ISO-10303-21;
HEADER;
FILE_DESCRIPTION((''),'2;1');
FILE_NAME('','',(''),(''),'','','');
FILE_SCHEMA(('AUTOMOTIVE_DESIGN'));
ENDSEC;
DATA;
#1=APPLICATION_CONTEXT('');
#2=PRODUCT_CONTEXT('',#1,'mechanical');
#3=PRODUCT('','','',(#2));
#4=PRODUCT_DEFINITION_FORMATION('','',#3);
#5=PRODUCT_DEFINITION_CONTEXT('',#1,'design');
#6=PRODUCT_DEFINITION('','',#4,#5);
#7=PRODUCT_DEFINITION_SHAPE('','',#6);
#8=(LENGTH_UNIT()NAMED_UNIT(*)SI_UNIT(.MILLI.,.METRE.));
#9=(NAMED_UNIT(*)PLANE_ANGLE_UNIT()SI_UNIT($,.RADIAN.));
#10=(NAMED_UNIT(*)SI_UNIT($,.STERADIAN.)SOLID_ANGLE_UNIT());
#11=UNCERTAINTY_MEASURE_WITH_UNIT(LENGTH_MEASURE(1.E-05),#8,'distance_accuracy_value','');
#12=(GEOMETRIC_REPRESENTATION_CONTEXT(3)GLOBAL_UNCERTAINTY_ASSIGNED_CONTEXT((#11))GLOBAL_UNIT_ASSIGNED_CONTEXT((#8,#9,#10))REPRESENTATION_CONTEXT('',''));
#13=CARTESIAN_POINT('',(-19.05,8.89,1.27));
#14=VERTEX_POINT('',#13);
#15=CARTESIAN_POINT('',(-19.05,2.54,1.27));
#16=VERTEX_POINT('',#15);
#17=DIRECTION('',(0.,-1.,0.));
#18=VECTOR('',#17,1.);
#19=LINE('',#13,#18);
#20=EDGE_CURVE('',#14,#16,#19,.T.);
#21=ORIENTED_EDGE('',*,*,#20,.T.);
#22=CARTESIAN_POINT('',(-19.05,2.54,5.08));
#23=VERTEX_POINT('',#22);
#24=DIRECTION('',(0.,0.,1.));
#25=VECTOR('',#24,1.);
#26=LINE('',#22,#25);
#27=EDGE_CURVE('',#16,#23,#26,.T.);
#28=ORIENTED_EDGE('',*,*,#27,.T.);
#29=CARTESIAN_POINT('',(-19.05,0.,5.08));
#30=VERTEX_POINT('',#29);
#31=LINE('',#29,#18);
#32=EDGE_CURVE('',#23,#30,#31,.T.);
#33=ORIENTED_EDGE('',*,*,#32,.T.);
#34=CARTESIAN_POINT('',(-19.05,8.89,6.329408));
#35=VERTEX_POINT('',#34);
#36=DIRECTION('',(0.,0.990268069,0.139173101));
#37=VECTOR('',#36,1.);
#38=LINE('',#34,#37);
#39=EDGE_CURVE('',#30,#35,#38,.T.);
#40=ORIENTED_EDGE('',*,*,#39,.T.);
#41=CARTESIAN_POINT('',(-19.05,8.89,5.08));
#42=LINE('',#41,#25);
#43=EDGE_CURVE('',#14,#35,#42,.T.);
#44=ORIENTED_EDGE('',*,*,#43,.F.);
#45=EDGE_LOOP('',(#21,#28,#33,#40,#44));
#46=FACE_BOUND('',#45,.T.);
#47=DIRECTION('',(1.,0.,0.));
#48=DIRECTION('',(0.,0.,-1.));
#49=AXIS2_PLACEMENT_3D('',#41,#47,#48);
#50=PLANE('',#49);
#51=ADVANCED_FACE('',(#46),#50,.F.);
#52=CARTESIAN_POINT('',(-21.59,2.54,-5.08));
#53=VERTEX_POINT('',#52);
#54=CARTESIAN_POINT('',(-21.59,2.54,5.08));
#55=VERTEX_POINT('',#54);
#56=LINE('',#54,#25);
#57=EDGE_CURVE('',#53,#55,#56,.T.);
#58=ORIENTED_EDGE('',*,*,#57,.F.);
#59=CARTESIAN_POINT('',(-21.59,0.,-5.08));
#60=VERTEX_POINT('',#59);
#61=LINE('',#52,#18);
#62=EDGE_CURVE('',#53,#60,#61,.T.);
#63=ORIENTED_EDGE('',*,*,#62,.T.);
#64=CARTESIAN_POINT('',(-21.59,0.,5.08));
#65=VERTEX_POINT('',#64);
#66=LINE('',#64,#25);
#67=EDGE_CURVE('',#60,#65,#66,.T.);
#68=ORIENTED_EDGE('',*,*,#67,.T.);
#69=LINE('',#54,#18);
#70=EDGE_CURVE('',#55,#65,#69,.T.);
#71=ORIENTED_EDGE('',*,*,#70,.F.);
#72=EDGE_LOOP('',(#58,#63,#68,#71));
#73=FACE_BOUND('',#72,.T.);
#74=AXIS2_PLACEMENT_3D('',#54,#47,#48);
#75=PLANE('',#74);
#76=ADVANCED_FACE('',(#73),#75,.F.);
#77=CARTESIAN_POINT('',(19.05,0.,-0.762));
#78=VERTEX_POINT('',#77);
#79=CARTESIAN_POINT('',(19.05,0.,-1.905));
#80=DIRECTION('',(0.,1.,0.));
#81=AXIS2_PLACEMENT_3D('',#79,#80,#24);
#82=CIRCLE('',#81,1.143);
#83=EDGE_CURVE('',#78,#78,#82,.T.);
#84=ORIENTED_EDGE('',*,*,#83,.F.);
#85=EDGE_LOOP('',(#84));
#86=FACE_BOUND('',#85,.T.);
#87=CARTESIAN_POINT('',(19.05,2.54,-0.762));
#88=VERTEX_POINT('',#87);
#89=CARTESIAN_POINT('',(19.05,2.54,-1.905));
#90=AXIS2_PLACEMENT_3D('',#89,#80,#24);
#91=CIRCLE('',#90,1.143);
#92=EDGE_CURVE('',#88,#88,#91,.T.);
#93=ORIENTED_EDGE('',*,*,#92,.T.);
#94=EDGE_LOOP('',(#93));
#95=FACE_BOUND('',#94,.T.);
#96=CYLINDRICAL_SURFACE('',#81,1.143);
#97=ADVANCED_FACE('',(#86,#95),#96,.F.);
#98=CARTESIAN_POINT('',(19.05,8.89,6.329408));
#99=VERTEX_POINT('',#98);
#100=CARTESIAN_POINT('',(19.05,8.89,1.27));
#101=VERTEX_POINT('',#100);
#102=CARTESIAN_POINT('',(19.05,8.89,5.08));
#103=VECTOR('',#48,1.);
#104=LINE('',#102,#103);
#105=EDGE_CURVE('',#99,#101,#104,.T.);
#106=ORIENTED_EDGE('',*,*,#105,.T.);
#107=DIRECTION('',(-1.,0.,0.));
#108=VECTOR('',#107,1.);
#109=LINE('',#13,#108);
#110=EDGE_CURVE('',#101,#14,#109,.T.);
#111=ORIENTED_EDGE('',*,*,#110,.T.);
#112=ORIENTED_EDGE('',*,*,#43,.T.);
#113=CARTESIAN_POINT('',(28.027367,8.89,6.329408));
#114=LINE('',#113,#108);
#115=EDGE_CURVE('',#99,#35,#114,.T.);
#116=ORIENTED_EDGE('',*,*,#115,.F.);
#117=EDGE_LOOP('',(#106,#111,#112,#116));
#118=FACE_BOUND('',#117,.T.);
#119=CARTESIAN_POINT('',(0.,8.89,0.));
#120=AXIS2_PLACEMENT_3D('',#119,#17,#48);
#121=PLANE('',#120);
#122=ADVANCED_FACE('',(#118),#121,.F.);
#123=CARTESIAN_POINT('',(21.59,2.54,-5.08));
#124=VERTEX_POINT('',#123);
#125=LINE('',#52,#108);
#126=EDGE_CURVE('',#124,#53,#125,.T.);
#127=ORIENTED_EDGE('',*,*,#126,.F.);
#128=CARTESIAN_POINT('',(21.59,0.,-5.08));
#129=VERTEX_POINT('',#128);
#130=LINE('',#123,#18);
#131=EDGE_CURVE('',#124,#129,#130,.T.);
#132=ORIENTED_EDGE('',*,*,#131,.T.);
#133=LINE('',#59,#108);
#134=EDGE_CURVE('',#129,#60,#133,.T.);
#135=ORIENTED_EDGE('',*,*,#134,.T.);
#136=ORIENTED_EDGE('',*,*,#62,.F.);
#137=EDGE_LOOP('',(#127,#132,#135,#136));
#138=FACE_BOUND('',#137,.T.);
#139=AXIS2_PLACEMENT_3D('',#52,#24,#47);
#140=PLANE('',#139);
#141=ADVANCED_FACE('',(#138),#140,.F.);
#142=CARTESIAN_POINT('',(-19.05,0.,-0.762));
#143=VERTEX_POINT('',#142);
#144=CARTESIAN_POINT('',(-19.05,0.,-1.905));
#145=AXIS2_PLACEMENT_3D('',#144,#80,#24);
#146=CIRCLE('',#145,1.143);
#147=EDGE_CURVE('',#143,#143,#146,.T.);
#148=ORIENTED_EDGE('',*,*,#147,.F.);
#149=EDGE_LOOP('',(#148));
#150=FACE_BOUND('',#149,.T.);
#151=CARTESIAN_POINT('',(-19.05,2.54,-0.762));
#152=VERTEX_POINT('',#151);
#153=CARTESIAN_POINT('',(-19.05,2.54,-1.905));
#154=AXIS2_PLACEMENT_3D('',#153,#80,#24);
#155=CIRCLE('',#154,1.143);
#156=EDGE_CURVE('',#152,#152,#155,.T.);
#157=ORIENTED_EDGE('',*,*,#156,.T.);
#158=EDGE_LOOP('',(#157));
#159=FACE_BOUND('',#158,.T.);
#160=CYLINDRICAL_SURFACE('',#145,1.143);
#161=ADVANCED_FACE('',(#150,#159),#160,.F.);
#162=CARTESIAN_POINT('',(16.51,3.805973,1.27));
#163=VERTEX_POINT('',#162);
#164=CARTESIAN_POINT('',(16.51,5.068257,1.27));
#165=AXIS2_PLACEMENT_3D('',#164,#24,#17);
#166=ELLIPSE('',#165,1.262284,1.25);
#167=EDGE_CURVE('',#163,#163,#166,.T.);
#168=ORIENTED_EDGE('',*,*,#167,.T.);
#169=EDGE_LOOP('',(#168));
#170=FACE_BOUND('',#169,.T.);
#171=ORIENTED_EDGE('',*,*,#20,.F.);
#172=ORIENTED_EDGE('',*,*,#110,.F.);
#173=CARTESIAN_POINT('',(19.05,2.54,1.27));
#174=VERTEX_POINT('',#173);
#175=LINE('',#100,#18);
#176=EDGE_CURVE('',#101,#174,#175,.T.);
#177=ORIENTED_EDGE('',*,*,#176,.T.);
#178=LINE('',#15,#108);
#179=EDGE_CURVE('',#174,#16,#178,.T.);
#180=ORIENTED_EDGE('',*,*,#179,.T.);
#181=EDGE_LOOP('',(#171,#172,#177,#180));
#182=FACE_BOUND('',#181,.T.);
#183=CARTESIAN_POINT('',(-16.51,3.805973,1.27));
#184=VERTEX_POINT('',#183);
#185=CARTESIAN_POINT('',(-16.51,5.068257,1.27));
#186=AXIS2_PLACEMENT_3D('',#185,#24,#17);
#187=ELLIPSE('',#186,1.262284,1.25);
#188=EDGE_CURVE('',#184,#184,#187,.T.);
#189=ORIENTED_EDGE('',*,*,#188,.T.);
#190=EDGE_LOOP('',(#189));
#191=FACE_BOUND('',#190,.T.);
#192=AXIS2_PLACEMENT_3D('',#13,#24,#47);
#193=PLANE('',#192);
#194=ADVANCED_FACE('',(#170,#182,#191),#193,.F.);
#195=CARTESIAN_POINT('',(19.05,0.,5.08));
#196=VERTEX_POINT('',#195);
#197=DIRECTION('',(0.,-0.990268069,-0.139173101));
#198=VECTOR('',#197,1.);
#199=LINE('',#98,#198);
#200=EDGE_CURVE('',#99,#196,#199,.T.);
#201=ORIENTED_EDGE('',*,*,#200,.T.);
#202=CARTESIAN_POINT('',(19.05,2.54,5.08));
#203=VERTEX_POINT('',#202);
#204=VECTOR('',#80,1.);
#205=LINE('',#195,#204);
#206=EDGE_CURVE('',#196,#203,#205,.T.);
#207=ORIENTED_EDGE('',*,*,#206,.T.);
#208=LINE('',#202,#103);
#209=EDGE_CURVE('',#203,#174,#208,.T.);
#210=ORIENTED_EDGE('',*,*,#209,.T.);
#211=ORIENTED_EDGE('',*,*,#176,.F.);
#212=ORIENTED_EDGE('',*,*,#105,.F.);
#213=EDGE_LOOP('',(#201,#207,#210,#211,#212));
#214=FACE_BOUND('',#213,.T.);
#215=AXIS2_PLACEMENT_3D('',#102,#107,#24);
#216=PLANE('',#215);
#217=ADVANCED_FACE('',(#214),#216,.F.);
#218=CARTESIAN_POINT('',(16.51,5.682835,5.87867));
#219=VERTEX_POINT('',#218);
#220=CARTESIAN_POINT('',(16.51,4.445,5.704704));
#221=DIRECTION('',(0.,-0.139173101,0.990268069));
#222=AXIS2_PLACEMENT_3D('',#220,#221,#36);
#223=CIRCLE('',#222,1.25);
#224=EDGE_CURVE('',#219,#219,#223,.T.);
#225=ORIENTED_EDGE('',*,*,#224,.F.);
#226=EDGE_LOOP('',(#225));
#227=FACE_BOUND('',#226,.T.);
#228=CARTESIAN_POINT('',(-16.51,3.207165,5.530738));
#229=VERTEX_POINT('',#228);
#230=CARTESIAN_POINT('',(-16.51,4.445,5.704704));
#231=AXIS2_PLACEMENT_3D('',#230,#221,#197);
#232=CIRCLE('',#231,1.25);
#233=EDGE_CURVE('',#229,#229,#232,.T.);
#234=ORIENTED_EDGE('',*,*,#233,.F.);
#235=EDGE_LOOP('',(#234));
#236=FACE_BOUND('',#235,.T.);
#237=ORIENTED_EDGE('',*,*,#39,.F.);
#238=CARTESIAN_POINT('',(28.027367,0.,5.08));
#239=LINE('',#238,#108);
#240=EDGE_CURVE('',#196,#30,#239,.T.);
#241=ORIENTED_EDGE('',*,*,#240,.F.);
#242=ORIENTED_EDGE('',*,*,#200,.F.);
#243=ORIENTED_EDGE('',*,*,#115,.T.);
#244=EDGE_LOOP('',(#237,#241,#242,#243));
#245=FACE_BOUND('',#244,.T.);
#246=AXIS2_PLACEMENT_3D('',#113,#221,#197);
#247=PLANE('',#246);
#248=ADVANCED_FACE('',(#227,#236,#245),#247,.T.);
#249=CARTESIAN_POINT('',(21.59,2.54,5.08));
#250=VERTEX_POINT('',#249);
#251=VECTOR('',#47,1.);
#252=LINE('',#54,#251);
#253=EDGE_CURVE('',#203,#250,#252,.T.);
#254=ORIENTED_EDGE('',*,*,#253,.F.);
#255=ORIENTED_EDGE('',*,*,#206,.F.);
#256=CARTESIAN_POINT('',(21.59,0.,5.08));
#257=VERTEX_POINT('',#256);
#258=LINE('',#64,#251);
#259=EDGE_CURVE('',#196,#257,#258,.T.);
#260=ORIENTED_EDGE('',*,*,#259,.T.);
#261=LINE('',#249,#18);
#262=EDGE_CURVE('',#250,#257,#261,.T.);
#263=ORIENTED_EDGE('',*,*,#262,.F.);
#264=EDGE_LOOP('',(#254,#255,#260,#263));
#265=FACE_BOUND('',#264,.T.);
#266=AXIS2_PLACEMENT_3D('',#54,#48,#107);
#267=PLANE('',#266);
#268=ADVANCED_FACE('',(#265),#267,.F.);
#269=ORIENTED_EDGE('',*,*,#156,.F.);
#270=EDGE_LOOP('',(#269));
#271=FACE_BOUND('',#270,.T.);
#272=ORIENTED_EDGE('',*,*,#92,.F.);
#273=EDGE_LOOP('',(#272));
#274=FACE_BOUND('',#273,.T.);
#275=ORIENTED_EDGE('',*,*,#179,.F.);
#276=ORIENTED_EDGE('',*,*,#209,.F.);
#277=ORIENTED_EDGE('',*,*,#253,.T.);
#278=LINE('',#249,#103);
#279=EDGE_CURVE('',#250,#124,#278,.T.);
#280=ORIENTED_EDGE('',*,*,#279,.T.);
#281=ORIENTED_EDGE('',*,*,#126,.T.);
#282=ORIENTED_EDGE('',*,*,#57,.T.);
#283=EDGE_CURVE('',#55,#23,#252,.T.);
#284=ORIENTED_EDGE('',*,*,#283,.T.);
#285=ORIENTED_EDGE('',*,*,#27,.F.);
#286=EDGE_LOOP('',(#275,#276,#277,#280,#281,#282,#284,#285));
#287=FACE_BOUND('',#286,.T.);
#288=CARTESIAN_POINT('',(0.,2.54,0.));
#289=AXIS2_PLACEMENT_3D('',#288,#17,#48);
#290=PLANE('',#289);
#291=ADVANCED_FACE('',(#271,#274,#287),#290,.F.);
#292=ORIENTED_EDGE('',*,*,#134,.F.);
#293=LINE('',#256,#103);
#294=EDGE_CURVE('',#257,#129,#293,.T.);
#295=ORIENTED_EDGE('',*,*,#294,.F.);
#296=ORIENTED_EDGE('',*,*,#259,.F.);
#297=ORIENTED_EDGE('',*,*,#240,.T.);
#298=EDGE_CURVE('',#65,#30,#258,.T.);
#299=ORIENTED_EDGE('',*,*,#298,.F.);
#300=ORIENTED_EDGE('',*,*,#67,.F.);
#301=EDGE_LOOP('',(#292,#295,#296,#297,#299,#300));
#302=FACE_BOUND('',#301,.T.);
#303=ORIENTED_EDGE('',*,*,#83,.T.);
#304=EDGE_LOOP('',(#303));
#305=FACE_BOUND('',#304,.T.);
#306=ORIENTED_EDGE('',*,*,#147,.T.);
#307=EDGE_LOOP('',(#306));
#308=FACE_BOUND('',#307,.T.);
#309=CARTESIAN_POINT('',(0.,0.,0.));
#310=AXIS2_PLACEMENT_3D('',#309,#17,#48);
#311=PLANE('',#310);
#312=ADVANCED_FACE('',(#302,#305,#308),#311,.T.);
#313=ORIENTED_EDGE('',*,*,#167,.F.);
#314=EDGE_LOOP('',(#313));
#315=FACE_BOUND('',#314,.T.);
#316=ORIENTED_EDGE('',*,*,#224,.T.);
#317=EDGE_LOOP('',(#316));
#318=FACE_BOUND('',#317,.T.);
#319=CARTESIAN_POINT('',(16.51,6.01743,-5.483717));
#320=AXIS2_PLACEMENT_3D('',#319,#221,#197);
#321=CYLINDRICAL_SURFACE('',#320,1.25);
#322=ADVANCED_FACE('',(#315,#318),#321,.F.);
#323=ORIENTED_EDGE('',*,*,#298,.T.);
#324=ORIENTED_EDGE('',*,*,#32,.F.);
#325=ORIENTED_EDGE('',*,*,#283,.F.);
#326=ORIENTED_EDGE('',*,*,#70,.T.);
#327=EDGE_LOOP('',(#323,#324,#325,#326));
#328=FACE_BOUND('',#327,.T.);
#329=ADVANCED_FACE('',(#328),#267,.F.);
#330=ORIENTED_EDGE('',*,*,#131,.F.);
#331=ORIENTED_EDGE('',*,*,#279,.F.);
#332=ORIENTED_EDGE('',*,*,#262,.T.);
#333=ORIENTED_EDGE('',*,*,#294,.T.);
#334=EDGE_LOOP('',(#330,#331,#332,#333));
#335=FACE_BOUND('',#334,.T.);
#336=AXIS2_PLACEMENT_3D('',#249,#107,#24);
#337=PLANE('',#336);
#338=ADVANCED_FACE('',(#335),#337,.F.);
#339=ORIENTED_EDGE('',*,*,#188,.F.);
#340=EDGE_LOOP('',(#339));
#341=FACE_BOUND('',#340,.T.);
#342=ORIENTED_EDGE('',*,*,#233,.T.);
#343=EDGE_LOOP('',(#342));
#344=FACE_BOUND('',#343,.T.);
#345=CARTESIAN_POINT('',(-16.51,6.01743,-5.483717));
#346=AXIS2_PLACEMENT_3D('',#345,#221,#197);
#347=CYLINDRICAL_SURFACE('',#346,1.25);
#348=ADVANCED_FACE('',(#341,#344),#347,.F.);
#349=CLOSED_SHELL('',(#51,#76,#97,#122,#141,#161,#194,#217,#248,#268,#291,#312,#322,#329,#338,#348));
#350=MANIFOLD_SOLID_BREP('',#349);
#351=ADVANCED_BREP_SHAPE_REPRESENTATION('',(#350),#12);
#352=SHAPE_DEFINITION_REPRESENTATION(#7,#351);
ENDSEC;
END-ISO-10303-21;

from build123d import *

# Parameters (mm, degrees)
SKETCH2_W           = 43.18
SKETCH2_H           = 10.16
BOSS_EXTRUDE1_DEPTH = 2.54
SKETCH3_W           = 38.1
SKETCH3_H           = 3.81
BOSS_EXTRUDE2_DEPTH = 6.35
SKETCH4_R           = 1.143
CUT_EXTRUDE1_DEPTH  = 24.070695698
BOSS_EXTRUDE3_DEPTH = 38.1
SKETCH6_R           = 1.25
CUT_EXTRUDE2_DEPTH  = 26.677507073


with BuildPart() as part:
    # Sketch2 → Boss-Extrude1 (new body)
    with BuildSketch(Plane(origin=(0, 0, 0), x_dir=(1, 0, 0), z_dir=(0, 1, 0))):
        Rectangle(SKETCH2_W, SKETCH2_H)
    extrude(amount=BOSS_EXTRUDE1_DEPTH)

    # Sketch3 → Boss-Extrude2 (add)
    with BuildSketch(Plane(origin=(0, 2.54, 0), x_dir=(1, 0, 0), z_dir=(0, 1, 0))):
        with Locations((0, -3.175)):
            Rectangle(SKETCH3_W, SKETCH3_H)
    extrude(amount=BOSS_EXTRUDE2_DEPTH)

    # Sketch4 → Cut-Extrude1 (cut, through all)
    with BuildSketch(Plane(origin=(0, 2.54, 0), x_dir=(1, 0, 0), z_dir=(0, 1, 0))):
        with Locations(Location((19.05, 1.905, 0), (0, 0, 270))):
            Circle(SKETCH4_R)
        with Locations(Location((-19.05, 1.905, 0), (0, 0, 270))):
            Circle(SKETCH4_R)
    extrude(amount=-CUT_EXTRUDE1_DEPTH, mode=Mode.SUBTRACT)

    # Sketch5 → Boss-Extrude3 (add)
    with BuildSketch(Plane.ZY.offset(19.05)):
        Polygon((5.08, 8.89), (6.329408021, 8.89), (5.08, 0), align=None)
    extrude(amount=-BOSS_EXTRUDE3_DEPTH)

    # Sketch6 → Cut-Extrude2 (cut, through all)
    with BuildSketch(Plane(origin=(0, -0.700118884, 4.981604708), x_dir=(1, 0, 0), z_dir=(0, -0.1391731009600584, 0.9902680687415715))):
        with Locations(Location((-16.51, 5.195682913, 0), (0, 0, 270))):
            Circle(SKETCH6_R)
        with Locations(Location((16.51, 5.195682913, 0), (0, 0, 270))):
            Circle(SKETCH6_R)
    extrude(amount=-CUT_EXTRUDE2_DEPTH, mode=Mode.SUBTRACT)


solid = part.part
